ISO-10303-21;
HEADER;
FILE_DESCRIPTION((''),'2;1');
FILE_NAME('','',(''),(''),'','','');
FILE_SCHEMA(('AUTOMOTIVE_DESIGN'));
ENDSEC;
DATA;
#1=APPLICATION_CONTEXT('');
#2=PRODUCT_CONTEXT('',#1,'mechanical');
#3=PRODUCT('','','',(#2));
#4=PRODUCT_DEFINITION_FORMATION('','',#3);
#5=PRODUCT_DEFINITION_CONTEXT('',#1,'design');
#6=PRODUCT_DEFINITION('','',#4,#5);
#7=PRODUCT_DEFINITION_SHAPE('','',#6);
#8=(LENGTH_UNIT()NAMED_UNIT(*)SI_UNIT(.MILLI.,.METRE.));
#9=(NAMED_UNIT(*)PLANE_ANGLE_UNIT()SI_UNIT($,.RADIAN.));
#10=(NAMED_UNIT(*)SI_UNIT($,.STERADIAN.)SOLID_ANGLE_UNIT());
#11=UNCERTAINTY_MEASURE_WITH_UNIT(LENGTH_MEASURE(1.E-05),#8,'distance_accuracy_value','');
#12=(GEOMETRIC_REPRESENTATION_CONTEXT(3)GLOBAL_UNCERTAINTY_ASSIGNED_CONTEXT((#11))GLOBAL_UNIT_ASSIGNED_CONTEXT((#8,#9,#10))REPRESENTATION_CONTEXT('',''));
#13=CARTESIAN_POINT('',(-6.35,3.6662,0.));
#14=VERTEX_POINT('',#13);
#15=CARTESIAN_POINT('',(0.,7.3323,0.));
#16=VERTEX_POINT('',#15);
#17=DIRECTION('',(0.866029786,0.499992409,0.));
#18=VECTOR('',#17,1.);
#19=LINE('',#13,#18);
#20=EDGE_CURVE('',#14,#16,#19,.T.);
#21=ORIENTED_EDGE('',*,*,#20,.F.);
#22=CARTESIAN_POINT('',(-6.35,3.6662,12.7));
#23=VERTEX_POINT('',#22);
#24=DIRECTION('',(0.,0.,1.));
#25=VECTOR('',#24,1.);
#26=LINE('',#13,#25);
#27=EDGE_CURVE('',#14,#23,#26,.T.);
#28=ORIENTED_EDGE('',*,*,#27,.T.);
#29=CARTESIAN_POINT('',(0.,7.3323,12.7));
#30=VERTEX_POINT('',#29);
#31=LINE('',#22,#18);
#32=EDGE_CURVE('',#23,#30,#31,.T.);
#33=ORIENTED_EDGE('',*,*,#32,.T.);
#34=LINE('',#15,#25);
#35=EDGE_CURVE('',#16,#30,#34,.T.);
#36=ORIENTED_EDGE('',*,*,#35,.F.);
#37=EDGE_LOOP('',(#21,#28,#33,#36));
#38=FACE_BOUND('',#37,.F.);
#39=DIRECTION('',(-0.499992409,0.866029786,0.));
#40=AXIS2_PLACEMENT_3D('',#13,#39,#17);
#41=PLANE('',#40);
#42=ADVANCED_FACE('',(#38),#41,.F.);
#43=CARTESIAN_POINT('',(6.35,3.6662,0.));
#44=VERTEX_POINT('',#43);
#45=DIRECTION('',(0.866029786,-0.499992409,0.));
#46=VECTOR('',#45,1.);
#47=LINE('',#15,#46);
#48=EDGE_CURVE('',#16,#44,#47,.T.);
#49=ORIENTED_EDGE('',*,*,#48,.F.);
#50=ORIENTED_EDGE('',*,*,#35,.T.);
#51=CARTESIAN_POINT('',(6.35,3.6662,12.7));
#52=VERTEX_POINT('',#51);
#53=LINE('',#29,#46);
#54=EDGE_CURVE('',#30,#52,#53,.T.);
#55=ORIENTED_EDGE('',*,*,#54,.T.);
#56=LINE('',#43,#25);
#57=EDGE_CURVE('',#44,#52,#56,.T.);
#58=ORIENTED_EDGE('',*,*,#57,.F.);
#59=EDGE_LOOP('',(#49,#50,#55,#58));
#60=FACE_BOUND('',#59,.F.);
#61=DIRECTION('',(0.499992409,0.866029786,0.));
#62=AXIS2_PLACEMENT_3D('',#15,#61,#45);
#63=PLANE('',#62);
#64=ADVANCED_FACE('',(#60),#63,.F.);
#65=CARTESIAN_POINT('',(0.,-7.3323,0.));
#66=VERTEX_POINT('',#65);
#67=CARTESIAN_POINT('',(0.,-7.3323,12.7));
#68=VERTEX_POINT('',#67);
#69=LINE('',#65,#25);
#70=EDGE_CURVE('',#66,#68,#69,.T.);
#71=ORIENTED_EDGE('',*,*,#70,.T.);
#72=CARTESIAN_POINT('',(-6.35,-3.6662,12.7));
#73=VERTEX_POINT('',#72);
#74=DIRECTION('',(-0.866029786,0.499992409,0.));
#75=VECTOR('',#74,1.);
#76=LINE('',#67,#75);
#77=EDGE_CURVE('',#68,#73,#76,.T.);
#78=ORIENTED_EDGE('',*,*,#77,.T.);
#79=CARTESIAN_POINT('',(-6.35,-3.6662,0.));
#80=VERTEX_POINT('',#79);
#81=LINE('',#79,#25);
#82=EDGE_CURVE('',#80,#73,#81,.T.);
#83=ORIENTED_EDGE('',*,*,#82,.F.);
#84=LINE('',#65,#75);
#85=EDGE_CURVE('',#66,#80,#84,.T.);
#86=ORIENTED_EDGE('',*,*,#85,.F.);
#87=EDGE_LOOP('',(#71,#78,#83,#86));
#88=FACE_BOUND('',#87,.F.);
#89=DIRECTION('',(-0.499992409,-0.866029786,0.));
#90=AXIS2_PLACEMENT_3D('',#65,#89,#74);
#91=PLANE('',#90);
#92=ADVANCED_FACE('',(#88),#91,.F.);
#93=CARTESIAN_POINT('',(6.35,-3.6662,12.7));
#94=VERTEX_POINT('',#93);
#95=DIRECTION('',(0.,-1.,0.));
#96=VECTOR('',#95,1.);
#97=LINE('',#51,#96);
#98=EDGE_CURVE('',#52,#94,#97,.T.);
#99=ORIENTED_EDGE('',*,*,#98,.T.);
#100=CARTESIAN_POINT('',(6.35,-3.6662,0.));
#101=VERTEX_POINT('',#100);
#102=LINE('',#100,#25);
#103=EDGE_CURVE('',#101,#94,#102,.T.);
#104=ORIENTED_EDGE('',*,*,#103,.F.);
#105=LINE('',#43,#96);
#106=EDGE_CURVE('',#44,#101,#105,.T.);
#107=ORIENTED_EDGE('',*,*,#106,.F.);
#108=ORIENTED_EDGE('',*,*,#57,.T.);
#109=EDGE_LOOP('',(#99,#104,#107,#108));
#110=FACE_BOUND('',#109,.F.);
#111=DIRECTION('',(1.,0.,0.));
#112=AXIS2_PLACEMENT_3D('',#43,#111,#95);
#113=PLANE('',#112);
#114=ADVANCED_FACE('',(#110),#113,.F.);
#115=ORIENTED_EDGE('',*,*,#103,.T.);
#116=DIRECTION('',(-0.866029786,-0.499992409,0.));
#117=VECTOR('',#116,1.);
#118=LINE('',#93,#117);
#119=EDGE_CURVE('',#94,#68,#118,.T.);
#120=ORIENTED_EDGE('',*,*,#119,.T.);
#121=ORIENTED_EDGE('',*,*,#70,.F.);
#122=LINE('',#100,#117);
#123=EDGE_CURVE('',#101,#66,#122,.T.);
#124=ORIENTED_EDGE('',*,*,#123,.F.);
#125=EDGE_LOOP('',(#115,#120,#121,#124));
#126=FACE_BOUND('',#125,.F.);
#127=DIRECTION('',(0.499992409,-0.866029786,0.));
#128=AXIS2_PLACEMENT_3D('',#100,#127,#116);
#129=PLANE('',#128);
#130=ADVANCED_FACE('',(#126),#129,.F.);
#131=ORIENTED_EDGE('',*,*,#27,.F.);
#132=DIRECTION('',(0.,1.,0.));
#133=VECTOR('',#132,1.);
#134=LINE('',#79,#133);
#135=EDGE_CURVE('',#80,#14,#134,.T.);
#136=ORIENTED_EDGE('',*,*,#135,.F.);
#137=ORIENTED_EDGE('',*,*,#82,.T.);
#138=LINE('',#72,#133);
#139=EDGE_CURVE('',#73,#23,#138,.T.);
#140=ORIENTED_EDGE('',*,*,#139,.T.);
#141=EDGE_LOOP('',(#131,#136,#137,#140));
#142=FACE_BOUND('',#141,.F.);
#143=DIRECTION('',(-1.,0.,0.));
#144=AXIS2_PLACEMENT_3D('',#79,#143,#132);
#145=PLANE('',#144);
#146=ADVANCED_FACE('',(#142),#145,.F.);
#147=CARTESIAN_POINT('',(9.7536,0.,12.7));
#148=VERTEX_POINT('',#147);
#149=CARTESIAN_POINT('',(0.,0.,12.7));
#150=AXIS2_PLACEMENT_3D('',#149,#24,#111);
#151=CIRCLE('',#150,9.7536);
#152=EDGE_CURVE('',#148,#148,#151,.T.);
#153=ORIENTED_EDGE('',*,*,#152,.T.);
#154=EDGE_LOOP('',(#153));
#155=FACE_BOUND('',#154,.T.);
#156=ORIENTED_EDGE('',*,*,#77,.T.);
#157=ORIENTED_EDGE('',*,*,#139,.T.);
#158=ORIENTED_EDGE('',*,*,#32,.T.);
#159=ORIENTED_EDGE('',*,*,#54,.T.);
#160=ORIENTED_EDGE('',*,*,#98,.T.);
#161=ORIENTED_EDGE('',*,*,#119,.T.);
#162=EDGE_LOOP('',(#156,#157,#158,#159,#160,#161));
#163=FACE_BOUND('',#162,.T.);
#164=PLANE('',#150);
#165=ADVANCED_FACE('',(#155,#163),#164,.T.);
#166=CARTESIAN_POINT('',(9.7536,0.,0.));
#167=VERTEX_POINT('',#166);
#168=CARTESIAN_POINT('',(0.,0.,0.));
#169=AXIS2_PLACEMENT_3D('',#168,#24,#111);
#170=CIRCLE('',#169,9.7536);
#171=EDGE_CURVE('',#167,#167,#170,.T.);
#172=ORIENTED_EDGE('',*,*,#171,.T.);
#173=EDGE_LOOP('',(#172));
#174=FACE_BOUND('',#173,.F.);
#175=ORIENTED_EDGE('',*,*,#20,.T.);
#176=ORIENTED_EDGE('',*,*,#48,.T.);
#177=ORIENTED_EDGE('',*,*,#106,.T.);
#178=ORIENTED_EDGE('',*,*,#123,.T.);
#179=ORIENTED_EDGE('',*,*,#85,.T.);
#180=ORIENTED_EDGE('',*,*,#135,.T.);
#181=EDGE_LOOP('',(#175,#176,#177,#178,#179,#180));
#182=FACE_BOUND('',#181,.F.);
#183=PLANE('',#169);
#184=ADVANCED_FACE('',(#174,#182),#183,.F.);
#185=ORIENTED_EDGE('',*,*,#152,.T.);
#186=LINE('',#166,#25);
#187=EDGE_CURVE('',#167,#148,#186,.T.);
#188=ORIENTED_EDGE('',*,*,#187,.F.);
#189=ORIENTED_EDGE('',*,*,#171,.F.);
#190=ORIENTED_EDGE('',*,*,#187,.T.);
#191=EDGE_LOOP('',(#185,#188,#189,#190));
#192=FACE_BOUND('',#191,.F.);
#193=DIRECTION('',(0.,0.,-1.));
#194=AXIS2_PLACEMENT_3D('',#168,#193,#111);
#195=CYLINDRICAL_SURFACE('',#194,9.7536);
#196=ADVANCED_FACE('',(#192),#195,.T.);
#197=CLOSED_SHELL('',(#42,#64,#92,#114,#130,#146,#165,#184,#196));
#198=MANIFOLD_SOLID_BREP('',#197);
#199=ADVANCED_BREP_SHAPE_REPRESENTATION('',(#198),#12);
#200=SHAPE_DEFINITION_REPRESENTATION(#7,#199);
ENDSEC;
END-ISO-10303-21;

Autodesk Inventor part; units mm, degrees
ref_plane "YZ Plane" through (0, 0, 0) normal (1, 0, 0) x (0, 1, 0)
ref_plane "XZ Plane" through (0, 0, 0) normal (0, 1, 0) x (-1, 0, 0)
ref_plane "XY Plane" through (0, 0, 0) normal (0, 0, 1) x (1, 0, 0)
sketch "Sketch1" plane through (0, 0, 0) normal (0, 0, 1) x (1, 0, 0)
  circle A0 centre (0, 0) radius 9.7536
  line L0 (0, 7.3323) -> (6.35, 3.6662)
  line L1 (6.35, 3.6662) -> (6.35, -3.6662)
  line L2 (6.35, -3.6662) -> (0, -7.3323)
  line L3 (0, -7.3323) -> (-6.35, -3.6662)
  line L4 (-6.35, -3.6662) -> (-6.35, 3.6662)
  line L5 (-6.35, 3.6662) -> (0, 7.3323)
  dimension "d0" = 12.7
  dimension "d1" = 19.5072
extrude "Extrusion1" add sketch "Sketch1" along normal blind 12.7
properties part number "Spacer_0.5hex_0.5" material "Acetal Resin, Black"
